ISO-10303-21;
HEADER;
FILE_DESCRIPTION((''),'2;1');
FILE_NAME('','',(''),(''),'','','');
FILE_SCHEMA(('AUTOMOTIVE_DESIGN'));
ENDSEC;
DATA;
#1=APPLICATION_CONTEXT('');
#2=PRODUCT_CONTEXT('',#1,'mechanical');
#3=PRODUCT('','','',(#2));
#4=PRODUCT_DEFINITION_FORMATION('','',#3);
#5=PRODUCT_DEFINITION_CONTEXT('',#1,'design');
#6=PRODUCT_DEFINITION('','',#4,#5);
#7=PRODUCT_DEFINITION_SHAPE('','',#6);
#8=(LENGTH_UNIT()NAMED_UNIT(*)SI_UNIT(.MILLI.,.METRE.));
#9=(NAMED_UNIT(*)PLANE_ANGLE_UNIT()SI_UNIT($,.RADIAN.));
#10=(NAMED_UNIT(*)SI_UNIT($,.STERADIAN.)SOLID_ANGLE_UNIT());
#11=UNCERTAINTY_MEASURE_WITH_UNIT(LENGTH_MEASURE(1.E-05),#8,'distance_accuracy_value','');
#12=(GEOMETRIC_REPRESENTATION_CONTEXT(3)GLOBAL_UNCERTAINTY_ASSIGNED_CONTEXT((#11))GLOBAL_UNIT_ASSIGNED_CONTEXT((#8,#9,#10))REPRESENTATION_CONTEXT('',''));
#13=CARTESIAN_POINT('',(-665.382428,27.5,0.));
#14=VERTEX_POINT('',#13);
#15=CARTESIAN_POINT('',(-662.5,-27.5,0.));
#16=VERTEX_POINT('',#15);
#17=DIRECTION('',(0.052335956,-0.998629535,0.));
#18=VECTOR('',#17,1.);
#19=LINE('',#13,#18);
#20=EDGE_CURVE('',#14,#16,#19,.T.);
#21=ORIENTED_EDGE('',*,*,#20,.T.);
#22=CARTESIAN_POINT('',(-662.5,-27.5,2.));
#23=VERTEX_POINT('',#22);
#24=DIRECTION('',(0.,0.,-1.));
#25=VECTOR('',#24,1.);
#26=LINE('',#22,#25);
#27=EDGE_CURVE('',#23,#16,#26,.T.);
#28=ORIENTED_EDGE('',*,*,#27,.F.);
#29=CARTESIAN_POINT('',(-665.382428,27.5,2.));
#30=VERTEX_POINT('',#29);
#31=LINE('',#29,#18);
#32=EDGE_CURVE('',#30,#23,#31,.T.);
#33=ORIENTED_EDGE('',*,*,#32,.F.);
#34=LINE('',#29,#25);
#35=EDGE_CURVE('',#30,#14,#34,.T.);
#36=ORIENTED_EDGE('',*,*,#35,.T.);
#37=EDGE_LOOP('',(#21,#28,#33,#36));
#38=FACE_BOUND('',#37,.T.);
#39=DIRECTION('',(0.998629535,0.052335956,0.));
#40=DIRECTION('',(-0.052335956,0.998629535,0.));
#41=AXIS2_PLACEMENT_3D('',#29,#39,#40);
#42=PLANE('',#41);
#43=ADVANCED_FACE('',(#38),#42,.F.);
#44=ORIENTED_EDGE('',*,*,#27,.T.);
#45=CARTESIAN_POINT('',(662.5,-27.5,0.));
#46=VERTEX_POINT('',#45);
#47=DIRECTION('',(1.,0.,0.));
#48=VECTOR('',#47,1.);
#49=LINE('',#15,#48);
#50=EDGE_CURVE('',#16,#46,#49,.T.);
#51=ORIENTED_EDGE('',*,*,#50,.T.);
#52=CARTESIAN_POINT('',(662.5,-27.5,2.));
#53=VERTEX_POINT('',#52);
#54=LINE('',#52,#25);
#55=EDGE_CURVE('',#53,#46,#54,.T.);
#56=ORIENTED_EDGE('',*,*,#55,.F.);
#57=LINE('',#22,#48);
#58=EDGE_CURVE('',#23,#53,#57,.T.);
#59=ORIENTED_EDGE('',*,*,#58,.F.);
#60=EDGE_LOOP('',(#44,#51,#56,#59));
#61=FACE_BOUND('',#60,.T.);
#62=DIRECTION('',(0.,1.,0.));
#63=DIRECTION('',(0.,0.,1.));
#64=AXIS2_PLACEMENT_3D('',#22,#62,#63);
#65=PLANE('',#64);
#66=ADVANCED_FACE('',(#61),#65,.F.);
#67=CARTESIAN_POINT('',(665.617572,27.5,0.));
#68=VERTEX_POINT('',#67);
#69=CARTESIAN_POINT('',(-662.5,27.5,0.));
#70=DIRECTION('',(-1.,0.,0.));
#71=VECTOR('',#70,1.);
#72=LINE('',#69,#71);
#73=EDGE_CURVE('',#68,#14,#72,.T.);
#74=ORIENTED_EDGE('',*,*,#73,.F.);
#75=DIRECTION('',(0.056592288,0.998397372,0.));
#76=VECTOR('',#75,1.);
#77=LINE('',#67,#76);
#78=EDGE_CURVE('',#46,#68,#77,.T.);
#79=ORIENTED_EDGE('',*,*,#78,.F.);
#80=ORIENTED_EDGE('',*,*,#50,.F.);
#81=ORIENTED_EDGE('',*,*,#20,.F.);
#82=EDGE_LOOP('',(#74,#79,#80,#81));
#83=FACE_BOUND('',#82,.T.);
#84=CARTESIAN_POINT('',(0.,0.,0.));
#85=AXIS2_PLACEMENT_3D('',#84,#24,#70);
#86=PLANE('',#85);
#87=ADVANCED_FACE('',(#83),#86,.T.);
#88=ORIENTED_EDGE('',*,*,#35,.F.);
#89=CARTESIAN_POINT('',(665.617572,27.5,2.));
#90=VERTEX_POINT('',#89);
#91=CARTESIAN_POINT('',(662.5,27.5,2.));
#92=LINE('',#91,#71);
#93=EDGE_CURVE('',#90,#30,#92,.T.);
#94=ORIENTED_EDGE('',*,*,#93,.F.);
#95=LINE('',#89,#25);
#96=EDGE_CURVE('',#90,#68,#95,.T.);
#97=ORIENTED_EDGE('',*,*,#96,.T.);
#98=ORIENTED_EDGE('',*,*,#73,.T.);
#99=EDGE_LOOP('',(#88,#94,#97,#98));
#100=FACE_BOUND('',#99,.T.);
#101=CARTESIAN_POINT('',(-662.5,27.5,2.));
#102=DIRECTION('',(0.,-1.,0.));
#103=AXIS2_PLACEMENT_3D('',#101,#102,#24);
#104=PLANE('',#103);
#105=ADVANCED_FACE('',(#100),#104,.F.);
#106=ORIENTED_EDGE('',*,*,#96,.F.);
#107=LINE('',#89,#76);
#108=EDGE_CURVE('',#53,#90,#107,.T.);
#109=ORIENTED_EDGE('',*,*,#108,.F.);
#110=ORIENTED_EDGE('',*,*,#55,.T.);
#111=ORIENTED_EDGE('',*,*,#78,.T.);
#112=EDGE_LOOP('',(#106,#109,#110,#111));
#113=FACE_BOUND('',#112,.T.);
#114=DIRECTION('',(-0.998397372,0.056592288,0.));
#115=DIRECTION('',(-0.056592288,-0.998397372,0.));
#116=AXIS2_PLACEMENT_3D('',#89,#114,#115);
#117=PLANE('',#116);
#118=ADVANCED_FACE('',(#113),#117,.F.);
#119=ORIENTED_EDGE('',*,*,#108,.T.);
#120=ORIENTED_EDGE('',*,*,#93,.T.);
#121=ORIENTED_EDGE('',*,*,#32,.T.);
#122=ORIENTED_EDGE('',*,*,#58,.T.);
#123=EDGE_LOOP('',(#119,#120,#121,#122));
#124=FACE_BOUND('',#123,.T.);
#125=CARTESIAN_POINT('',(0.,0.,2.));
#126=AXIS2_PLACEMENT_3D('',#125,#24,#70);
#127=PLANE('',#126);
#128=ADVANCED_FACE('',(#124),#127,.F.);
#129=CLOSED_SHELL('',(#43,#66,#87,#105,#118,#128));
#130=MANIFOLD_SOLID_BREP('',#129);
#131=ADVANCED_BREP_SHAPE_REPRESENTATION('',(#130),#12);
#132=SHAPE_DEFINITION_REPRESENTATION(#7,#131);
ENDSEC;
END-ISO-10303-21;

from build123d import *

# Parameters (mm, degrees)
BOSS_EXTRUDE1_DEPTH = 2


with BuildPart() as part:
    # Sketch1 → Boss-Extrude1 (new body)
    with BuildSketch(Plane.XY):
        Polygon((-662.5, 27.5), (-665.382427861, 27.5), (-662.5, -27.5), (662.5, -27.5), (665.617572139, 27.5), (662.5, 27.5), align=None)
    extrude(amount=BOSS_EXTRUDE1_DEPTH)


solid = part.part
